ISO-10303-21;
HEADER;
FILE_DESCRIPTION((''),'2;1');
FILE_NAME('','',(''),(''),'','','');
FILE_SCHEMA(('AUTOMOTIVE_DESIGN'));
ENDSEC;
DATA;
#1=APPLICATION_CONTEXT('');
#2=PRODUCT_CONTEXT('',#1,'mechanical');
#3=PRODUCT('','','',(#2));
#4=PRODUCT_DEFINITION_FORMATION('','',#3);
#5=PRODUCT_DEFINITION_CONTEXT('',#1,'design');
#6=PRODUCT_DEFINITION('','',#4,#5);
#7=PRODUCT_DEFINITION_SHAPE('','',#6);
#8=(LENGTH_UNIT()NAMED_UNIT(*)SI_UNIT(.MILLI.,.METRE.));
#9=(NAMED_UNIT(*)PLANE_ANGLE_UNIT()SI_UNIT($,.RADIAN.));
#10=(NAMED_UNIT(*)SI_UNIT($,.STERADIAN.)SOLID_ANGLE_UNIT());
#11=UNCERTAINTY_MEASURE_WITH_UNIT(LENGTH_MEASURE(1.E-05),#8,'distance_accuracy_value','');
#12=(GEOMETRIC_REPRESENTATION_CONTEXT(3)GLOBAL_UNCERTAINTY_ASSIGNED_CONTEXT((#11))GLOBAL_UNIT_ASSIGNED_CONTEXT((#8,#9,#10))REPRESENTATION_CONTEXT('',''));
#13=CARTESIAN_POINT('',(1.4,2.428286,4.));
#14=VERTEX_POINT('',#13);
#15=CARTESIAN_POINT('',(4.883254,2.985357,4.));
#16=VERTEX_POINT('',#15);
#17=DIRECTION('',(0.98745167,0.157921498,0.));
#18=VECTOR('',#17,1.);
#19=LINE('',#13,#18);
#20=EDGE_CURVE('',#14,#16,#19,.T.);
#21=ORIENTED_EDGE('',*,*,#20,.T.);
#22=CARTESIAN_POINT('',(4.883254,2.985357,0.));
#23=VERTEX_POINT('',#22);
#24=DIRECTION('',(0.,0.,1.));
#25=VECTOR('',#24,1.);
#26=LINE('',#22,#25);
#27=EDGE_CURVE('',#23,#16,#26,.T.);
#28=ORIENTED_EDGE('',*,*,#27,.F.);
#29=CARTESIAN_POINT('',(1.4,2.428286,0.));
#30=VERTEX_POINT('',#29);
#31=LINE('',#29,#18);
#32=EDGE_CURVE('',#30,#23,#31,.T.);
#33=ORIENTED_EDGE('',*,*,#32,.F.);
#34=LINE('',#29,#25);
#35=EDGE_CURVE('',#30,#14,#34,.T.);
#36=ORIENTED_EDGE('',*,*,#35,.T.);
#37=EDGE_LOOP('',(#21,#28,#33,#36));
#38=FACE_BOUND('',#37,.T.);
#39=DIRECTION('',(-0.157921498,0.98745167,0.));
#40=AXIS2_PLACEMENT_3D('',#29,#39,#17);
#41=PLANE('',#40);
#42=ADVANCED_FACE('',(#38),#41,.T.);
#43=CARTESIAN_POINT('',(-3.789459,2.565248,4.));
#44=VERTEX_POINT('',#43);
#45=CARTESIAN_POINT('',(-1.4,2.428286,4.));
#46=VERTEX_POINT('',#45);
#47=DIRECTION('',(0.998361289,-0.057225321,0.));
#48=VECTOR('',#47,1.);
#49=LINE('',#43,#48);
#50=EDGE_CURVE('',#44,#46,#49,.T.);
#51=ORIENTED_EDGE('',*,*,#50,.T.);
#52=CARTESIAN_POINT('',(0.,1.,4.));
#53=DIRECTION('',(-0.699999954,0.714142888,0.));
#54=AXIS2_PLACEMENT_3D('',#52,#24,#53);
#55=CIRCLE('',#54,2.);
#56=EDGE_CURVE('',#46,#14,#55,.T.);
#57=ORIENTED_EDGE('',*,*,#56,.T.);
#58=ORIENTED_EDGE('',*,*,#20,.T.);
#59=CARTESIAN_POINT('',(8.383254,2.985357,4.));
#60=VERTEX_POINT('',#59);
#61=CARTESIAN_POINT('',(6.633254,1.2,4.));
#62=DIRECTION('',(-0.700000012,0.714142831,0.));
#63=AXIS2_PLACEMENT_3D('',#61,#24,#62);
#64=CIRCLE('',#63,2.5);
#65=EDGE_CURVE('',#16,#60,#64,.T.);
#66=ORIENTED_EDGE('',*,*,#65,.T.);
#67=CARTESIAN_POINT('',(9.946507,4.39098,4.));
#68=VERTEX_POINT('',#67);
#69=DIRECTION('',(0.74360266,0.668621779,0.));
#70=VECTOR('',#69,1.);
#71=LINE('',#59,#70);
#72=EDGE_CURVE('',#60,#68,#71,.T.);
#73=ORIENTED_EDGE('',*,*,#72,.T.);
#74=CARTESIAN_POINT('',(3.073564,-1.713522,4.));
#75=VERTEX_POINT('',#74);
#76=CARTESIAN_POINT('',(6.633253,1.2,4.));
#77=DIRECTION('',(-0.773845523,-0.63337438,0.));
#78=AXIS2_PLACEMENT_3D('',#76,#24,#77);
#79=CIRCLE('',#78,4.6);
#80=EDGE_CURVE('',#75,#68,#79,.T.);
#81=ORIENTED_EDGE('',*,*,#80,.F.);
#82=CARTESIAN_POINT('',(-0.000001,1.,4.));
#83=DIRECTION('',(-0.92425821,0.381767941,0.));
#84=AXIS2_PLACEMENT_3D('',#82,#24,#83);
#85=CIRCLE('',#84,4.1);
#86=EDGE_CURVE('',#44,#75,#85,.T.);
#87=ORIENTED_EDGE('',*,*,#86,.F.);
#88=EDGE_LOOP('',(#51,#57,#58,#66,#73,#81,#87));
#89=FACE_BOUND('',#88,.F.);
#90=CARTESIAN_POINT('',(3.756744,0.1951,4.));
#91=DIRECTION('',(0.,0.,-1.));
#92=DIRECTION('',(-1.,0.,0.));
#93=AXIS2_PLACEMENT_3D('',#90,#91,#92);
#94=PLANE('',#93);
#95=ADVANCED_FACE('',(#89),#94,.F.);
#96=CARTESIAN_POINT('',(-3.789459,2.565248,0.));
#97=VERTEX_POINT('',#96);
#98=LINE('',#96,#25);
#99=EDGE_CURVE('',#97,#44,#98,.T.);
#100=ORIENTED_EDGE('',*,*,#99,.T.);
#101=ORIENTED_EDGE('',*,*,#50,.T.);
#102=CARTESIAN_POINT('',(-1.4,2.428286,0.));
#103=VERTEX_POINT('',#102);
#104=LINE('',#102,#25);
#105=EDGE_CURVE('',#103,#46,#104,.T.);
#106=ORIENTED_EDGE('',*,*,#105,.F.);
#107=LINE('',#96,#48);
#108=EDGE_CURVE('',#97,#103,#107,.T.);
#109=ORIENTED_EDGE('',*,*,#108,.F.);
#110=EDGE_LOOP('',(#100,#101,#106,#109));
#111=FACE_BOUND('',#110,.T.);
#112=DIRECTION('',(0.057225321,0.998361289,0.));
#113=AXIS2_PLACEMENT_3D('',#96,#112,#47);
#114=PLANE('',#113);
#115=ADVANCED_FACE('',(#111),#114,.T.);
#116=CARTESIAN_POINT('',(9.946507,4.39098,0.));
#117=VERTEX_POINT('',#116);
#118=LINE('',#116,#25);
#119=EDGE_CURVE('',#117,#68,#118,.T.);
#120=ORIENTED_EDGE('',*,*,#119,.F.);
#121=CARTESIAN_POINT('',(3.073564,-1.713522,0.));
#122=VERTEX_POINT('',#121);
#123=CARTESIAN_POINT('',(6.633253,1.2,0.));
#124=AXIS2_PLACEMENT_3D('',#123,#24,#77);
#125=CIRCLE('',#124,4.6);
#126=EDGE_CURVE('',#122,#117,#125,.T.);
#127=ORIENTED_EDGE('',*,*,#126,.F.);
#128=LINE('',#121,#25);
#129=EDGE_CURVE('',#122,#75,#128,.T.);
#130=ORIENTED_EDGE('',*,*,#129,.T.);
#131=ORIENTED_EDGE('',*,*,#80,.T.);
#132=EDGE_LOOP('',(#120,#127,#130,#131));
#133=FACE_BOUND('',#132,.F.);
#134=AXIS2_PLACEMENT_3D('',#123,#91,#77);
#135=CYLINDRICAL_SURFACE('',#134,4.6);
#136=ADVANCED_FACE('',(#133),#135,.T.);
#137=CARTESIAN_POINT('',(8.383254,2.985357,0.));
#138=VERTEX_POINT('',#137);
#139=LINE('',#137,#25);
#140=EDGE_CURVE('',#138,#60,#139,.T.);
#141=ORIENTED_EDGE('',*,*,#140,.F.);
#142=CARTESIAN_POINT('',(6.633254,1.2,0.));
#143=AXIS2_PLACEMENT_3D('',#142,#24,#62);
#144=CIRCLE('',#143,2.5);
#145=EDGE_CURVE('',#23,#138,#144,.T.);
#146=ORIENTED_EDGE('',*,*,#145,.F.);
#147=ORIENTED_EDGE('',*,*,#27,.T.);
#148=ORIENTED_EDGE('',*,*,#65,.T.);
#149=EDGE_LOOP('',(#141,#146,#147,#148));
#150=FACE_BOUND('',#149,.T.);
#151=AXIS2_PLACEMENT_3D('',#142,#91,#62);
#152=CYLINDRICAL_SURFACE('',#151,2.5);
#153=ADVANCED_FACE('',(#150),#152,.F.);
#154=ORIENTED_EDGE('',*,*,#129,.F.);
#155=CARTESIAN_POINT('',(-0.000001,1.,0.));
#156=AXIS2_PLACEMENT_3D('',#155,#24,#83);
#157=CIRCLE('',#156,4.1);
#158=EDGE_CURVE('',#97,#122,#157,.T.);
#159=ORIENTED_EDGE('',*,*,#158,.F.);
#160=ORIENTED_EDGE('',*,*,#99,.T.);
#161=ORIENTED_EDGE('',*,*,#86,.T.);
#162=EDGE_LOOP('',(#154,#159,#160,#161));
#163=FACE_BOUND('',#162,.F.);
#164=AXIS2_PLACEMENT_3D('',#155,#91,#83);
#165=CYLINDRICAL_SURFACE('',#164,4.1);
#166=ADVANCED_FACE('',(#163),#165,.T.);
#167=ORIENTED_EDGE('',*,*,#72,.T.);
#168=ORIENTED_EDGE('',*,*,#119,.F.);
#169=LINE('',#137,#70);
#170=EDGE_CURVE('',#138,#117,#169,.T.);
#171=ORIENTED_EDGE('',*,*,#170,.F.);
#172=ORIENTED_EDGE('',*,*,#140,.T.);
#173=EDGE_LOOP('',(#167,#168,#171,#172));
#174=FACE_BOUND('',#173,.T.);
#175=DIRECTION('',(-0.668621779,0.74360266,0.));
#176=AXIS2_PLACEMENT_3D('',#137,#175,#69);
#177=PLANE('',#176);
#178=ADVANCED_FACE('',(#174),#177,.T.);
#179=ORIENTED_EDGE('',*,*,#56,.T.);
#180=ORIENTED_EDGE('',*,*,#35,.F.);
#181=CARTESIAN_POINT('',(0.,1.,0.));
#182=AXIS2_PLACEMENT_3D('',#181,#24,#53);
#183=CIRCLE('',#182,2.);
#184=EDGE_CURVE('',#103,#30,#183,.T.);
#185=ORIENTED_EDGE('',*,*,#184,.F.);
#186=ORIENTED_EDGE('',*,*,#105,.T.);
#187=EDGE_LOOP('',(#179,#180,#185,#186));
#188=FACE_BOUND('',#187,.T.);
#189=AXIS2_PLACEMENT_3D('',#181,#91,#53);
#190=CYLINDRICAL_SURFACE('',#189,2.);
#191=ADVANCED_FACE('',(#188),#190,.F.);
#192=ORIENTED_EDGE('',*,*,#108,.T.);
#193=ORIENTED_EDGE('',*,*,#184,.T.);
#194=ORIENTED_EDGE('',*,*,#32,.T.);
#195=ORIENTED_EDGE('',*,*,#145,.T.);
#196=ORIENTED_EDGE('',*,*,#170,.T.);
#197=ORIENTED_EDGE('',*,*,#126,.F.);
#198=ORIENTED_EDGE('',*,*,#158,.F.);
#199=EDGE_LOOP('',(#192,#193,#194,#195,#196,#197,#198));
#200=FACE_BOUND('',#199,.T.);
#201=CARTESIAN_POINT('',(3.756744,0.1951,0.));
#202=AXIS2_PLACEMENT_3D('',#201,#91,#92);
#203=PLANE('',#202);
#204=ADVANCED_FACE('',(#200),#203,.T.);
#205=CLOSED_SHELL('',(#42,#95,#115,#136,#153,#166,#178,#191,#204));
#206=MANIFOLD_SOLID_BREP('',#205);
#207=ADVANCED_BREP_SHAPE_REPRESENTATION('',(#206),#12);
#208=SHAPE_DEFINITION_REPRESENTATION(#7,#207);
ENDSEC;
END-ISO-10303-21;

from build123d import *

# Parameters (mm, degrees)
PAD_DEPTH = 4


with BuildPart() as part:
    # Sketch → Pad (new body)
    with BuildSketch(Plane.XY):
        with BuildLine():
            ThreePointArc((-1.4, 2.428286), (0, -1), (1.4, 2.428286))
            Line((1.4, 2.428286), (4.883254, 2.985357))
            ThreePointArc((4.883254, 2.985357), (6.633254, -1.3), (8.383254, 2.985357))
            Line((8.383254, 2.985357), (9.946507, 4.39098))
            ThreePointArc((3.073564, -1.713522), (9.687991, -2.23927), (9.946507, 4.39098))
            ThreePointArc((-3.789459, 2.565248), (-2.169123, -2.479211), (3.073564, -1.713522))
            Line((-3.789459, 2.565248), (-1.4, 2.428286))
        make_face()
    extrude(amount=PAD_DEPTH)


solid = part.part
